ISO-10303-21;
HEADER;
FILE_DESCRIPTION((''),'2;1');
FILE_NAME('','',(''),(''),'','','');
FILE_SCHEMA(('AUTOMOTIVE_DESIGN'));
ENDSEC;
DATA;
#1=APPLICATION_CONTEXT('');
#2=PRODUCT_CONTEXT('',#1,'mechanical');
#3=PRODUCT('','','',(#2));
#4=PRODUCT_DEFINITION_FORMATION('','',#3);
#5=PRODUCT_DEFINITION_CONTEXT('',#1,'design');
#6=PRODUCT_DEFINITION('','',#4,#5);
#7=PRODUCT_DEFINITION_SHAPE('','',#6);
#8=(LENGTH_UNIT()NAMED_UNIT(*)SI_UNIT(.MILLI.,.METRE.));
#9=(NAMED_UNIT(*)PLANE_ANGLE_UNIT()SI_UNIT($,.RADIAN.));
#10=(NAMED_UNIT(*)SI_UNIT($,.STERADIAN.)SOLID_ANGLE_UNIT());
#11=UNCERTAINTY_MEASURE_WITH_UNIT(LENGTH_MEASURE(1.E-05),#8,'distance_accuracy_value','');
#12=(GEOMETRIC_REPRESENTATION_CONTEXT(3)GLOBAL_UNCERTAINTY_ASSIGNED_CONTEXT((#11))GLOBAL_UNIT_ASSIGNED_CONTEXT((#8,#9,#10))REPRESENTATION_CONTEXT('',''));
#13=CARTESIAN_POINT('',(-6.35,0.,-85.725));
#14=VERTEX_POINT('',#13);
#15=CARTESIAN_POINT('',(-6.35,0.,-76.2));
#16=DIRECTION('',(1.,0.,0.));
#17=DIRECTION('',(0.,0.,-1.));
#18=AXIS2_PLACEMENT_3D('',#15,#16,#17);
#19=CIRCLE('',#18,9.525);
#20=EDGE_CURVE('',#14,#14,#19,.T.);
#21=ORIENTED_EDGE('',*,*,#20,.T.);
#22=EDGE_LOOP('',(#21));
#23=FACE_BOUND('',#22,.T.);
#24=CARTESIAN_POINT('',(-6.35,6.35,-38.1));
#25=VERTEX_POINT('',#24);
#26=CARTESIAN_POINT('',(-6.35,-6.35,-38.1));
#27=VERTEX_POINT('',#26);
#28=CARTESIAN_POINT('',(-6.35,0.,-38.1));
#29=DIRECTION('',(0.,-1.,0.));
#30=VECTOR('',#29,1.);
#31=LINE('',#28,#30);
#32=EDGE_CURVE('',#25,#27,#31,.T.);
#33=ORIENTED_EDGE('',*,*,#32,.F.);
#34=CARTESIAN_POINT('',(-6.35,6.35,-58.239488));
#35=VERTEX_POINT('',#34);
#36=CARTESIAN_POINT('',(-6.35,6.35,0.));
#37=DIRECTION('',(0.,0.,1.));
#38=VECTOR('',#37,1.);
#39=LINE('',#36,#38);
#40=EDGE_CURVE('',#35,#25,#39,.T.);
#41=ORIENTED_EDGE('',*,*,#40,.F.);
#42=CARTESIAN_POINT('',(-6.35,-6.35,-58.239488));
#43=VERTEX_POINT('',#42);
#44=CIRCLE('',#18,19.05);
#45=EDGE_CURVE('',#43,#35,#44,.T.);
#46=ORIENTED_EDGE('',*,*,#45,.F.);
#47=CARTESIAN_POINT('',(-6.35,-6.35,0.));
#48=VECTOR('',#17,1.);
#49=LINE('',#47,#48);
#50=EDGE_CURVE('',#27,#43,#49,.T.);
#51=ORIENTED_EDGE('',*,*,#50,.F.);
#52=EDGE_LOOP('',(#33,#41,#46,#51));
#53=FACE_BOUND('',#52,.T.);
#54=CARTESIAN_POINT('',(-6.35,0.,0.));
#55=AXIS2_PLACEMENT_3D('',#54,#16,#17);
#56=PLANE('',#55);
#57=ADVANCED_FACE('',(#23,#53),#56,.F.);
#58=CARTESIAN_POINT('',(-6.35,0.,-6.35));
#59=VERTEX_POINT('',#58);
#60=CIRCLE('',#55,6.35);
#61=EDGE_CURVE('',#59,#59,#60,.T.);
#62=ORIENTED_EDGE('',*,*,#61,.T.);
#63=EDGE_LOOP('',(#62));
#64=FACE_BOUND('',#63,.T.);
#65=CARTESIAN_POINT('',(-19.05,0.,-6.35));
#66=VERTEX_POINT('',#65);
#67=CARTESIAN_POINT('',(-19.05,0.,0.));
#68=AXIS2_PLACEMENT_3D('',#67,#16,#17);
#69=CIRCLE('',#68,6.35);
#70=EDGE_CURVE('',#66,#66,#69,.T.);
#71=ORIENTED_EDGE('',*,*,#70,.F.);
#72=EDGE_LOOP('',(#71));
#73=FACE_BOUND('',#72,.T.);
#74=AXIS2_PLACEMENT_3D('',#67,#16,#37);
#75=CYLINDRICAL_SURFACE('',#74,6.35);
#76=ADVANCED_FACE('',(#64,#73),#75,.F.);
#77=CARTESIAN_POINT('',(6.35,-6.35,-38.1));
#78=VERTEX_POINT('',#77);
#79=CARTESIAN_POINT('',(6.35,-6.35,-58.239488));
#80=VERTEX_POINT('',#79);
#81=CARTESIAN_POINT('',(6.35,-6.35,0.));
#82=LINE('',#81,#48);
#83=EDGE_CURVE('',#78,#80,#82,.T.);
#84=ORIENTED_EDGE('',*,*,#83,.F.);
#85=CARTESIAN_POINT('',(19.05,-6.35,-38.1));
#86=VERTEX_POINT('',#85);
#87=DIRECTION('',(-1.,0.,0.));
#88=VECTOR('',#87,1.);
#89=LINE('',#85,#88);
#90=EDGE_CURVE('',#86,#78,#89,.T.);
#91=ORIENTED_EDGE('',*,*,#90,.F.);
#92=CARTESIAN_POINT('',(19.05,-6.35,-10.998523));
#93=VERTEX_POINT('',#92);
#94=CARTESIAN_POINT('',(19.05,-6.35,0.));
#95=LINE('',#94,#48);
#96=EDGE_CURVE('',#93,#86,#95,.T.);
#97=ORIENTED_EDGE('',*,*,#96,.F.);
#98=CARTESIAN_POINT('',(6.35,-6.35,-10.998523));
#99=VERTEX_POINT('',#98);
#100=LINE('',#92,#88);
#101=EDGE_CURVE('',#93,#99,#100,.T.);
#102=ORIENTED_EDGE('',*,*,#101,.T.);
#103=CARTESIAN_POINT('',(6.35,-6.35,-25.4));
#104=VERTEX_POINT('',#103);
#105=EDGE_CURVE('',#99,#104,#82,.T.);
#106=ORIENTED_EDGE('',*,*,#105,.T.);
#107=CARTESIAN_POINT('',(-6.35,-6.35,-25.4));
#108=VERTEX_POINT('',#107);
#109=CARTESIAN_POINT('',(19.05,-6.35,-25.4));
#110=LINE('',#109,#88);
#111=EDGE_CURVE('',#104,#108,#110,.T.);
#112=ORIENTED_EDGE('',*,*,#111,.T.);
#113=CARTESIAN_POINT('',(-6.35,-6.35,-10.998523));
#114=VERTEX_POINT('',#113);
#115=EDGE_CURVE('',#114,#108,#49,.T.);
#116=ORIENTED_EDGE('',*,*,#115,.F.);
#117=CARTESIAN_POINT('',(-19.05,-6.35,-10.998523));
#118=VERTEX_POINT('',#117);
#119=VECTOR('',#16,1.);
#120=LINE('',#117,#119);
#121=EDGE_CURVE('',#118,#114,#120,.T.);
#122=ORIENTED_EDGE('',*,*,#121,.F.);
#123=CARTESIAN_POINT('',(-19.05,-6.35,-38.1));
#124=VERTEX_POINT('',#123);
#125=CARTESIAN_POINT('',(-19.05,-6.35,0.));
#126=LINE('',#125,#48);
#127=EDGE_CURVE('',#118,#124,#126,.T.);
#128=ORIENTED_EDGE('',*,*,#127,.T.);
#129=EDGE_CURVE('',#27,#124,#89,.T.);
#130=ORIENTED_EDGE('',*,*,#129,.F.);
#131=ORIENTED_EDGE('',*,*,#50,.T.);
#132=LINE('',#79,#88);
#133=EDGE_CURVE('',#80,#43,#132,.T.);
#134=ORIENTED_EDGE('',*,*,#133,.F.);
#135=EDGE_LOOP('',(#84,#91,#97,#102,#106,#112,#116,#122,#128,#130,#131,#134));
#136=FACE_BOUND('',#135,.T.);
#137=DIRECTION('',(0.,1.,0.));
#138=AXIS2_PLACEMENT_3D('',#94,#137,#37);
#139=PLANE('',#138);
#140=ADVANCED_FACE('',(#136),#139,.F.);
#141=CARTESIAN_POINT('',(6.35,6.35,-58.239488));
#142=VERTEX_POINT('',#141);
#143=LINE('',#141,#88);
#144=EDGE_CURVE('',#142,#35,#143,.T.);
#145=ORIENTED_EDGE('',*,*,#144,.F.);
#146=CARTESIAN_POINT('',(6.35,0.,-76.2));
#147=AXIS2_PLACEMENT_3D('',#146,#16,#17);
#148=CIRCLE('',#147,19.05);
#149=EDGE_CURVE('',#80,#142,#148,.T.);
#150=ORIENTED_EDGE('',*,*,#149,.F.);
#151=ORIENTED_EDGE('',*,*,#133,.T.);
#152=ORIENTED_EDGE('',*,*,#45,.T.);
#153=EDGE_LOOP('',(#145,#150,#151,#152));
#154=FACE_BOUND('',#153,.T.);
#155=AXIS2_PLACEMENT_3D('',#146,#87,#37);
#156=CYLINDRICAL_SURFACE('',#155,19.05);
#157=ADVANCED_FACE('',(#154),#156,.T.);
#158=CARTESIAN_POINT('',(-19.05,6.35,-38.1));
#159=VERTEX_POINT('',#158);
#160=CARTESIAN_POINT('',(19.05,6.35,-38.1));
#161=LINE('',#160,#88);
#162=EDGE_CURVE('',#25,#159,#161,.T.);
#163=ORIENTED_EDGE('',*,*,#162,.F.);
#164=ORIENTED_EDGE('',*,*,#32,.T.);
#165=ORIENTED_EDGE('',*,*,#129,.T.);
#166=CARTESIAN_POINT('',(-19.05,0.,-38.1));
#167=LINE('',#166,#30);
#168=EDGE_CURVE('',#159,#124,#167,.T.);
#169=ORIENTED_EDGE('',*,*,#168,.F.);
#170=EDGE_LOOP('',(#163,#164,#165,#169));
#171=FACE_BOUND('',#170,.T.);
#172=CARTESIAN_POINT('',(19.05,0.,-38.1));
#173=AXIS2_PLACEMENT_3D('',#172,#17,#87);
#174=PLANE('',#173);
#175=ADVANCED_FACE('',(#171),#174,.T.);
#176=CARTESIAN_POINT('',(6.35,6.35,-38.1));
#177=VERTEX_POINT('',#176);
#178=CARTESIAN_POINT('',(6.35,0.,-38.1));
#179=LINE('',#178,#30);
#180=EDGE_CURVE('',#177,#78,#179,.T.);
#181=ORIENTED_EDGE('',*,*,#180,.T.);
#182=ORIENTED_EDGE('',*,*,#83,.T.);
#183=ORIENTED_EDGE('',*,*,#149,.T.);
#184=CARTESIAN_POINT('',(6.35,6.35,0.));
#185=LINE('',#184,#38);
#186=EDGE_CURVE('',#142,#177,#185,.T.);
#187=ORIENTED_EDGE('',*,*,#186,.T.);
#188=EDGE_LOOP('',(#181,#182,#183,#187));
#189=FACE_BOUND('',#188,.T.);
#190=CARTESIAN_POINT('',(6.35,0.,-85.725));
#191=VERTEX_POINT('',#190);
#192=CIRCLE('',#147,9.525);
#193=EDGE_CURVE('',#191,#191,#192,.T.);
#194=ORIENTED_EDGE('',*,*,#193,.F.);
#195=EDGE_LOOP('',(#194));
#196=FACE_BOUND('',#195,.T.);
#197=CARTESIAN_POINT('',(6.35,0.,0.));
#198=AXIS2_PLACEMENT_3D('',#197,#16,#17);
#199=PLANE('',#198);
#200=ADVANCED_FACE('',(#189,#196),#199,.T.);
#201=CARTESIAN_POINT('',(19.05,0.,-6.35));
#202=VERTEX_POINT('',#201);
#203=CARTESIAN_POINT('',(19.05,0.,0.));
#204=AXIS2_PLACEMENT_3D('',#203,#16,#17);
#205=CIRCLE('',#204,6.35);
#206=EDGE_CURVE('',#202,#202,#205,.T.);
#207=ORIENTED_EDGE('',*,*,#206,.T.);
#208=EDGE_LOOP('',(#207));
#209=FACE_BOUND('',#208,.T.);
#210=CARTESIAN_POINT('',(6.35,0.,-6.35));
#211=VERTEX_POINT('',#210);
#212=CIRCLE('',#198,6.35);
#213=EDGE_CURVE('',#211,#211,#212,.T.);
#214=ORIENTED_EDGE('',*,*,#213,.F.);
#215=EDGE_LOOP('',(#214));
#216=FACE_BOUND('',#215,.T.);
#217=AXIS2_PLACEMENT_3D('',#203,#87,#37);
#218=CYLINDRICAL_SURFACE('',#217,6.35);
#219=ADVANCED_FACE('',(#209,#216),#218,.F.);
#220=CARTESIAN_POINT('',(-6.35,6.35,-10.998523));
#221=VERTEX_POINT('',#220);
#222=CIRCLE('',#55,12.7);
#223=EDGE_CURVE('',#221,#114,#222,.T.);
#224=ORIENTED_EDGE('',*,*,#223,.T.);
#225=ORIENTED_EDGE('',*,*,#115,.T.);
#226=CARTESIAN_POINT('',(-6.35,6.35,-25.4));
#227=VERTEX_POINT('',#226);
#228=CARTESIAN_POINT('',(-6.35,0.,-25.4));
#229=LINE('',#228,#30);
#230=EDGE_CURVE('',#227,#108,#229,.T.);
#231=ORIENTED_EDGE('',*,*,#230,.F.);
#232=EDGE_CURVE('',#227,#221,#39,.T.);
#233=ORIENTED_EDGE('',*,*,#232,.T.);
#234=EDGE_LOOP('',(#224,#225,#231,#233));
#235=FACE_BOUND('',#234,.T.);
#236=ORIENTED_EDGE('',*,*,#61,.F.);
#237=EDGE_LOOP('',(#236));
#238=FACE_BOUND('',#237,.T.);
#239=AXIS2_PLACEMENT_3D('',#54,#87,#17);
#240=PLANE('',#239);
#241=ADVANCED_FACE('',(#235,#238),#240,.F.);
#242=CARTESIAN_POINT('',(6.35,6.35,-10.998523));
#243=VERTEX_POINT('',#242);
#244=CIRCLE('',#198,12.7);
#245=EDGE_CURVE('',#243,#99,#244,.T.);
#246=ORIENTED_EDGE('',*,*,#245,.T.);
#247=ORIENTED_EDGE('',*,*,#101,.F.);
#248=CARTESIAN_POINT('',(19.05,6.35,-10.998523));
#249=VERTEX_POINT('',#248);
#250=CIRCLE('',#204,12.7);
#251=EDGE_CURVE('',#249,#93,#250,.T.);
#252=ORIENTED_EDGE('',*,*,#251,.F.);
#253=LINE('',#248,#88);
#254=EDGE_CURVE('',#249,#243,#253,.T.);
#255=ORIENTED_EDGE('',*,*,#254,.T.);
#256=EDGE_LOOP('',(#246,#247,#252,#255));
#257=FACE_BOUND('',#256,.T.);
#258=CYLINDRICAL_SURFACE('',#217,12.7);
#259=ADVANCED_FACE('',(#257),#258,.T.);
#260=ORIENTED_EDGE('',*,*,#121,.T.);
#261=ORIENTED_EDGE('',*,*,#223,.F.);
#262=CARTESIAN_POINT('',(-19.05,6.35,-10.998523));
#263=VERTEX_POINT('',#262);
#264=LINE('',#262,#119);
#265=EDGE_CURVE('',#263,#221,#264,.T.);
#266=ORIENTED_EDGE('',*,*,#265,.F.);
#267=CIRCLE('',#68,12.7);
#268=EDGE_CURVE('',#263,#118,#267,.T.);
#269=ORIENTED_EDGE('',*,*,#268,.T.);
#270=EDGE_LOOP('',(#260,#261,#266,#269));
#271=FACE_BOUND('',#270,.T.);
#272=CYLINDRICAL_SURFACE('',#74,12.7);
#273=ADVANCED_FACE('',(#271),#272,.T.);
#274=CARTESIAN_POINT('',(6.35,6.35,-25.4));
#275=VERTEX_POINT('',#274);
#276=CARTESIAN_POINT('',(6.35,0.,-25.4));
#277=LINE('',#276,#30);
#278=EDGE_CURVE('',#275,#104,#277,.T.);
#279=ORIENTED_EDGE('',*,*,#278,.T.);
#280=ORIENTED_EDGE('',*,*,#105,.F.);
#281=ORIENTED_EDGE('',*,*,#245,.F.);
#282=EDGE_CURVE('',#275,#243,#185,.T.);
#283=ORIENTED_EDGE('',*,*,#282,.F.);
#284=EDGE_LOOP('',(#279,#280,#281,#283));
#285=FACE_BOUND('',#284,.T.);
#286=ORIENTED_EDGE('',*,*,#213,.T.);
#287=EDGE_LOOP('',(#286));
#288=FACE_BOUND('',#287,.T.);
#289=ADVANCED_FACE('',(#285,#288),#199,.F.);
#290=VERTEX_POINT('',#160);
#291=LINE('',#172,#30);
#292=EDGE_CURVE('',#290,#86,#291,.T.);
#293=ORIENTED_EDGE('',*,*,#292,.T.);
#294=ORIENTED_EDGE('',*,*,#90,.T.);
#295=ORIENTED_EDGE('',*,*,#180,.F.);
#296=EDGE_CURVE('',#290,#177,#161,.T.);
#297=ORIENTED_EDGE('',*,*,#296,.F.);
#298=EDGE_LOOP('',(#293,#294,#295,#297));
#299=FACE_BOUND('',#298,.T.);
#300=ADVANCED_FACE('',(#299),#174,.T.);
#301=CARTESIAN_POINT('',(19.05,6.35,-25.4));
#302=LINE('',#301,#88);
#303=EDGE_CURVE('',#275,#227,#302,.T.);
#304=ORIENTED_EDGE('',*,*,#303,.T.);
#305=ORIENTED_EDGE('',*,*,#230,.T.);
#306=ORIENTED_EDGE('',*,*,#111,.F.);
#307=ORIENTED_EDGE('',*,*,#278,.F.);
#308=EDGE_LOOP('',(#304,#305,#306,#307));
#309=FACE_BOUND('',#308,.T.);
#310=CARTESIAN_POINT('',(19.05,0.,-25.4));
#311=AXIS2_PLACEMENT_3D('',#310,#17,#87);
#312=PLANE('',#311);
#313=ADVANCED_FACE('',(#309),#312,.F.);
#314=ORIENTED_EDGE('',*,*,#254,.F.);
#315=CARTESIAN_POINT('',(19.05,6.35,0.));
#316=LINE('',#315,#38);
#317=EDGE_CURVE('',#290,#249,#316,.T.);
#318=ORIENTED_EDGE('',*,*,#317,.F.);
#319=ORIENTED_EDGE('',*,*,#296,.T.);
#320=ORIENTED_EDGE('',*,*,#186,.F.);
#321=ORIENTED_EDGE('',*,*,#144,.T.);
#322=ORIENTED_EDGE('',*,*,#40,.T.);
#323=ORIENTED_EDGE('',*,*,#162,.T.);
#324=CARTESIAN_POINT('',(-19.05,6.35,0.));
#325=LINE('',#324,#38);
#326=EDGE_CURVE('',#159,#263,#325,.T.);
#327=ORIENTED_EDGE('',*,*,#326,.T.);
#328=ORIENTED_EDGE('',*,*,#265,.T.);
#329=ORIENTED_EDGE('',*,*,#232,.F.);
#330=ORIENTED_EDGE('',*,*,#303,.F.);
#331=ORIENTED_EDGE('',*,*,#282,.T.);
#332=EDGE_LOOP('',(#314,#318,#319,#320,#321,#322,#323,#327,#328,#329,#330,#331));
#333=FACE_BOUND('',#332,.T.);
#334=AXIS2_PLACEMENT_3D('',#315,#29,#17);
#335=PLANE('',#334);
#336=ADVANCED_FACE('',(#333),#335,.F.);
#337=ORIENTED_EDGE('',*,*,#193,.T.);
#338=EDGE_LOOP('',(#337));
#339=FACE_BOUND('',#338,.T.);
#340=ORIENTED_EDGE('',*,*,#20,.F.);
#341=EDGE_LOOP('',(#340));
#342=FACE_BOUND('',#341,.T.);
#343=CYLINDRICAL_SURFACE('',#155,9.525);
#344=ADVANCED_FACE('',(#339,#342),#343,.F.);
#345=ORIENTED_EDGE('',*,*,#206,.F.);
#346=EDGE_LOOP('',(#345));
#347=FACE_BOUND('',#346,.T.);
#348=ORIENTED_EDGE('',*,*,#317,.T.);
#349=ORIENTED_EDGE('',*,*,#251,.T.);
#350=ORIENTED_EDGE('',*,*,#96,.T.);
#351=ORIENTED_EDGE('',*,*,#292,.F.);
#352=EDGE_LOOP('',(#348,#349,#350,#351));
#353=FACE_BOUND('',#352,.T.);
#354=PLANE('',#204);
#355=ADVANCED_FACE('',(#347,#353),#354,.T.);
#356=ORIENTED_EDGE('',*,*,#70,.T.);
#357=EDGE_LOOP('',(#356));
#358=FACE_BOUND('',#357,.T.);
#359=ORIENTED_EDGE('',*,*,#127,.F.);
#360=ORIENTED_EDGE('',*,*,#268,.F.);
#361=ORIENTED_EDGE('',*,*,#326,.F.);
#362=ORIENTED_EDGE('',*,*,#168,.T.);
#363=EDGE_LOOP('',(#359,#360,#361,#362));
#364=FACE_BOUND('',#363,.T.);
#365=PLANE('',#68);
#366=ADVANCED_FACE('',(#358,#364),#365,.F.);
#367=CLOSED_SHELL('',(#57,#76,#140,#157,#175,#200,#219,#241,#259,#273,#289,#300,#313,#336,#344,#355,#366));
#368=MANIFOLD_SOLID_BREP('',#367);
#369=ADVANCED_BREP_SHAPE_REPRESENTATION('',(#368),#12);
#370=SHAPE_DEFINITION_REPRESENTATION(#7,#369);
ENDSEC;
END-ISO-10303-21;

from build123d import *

# Parameters (mm, degrees)
SKETCH1_R           = 9.525
BOSS_EXTRUDE1_DEPTH = 6.35
SKETCH1_3_W         = 12.7
SKETCH1_3_H         = 12.7
BOSS_EXTRUDE2_DEPTH = 19.05
BOSS_EXTRUDE3_START = 6.35
SKETCH1_4_R         = 6.35
BOSS_EXTRUDE3_DEPTH = 12.7


with BuildPart() as part:
    # Sketch1 → Boss-Extrude1 (new, symmetric)
    with BuildSketch(Plane(origin=(0, 0, 0), x_dir=(0, 0, -1), z_dir=(1, 0, 0))):
        with BuildLine():
            Line((38.1, 6.35), (38.1, -6.35))
            Line((38.1, -6.35), (58.239487758, -6.35))
            ThreePointArc((58.239487758, -6.35), (95.25, 0), (58.239487758, 6.35))
            Line((58.239487758, 6.35), (38.1, 6.35))
        make_face()
        with Locations((76.2, 0)):
            Circle(SKETCH1_R, mode=Mode.SUBTRACT)
    extrude(amount=BOSS_EXTRUDE1_DEPTH, both=True)

    # Sketch1<3> → Boss-Extrude2 (add, symmetric)
    with BuildSketch(Plane(origin=(0, 0, 0), x_dir=(0, 0, -1), z_dir=(1, 0, 0))):
        with Locations((31.75, 0)):
            Rectangle(SKETCH1_3_W, SKETCH1_3_H)
    extrude(amount=BOSS_EXTRUDE2_DEPTH, both=True)


with BuildPart() as body_2:
    # Sketch1<4> → Boss-Extrude3 (new body)
    with BuildSketch(Plane(origin=(0, 0, 0), x_dir=(0, 0, -1), z_dir=(1, 0, 0)).offset(BOSS_EXTRUDE3_START)):
        with BuildLine():
            Line((25.4, 6.35), (10.998522628, 6.35))
            ThreePointArc((10.998522628, 6.35), (-12.7, 0), (10.998522628, -6.35))
            Line((10.998522628, -6.35), (25.4, -6.35))
            Line((25.4, -6.35), (25.4, 6.35))
        make_face()
        Circle(SKETCH1_4_R, mode=Mode.SUBTRACT)
    boss_extrude3 = extrude(amount=BOSS_EXTRUDE3_DEPTH)


with BuildPart() as part_1:
    add(part.part)

    # Mirror2: Boss-Extrude3 across plane
    add(boss_extrude3.mirror(Plane(origin=(0, 0, 0), x_dir=(0, 0, 1), z_dir=(1, 0, 0))))


with BuildPart() as body_2_1:
    add(body_2.part)

    # Combine1: union part
    add(part_1.part)


solid = body_2_1.part
